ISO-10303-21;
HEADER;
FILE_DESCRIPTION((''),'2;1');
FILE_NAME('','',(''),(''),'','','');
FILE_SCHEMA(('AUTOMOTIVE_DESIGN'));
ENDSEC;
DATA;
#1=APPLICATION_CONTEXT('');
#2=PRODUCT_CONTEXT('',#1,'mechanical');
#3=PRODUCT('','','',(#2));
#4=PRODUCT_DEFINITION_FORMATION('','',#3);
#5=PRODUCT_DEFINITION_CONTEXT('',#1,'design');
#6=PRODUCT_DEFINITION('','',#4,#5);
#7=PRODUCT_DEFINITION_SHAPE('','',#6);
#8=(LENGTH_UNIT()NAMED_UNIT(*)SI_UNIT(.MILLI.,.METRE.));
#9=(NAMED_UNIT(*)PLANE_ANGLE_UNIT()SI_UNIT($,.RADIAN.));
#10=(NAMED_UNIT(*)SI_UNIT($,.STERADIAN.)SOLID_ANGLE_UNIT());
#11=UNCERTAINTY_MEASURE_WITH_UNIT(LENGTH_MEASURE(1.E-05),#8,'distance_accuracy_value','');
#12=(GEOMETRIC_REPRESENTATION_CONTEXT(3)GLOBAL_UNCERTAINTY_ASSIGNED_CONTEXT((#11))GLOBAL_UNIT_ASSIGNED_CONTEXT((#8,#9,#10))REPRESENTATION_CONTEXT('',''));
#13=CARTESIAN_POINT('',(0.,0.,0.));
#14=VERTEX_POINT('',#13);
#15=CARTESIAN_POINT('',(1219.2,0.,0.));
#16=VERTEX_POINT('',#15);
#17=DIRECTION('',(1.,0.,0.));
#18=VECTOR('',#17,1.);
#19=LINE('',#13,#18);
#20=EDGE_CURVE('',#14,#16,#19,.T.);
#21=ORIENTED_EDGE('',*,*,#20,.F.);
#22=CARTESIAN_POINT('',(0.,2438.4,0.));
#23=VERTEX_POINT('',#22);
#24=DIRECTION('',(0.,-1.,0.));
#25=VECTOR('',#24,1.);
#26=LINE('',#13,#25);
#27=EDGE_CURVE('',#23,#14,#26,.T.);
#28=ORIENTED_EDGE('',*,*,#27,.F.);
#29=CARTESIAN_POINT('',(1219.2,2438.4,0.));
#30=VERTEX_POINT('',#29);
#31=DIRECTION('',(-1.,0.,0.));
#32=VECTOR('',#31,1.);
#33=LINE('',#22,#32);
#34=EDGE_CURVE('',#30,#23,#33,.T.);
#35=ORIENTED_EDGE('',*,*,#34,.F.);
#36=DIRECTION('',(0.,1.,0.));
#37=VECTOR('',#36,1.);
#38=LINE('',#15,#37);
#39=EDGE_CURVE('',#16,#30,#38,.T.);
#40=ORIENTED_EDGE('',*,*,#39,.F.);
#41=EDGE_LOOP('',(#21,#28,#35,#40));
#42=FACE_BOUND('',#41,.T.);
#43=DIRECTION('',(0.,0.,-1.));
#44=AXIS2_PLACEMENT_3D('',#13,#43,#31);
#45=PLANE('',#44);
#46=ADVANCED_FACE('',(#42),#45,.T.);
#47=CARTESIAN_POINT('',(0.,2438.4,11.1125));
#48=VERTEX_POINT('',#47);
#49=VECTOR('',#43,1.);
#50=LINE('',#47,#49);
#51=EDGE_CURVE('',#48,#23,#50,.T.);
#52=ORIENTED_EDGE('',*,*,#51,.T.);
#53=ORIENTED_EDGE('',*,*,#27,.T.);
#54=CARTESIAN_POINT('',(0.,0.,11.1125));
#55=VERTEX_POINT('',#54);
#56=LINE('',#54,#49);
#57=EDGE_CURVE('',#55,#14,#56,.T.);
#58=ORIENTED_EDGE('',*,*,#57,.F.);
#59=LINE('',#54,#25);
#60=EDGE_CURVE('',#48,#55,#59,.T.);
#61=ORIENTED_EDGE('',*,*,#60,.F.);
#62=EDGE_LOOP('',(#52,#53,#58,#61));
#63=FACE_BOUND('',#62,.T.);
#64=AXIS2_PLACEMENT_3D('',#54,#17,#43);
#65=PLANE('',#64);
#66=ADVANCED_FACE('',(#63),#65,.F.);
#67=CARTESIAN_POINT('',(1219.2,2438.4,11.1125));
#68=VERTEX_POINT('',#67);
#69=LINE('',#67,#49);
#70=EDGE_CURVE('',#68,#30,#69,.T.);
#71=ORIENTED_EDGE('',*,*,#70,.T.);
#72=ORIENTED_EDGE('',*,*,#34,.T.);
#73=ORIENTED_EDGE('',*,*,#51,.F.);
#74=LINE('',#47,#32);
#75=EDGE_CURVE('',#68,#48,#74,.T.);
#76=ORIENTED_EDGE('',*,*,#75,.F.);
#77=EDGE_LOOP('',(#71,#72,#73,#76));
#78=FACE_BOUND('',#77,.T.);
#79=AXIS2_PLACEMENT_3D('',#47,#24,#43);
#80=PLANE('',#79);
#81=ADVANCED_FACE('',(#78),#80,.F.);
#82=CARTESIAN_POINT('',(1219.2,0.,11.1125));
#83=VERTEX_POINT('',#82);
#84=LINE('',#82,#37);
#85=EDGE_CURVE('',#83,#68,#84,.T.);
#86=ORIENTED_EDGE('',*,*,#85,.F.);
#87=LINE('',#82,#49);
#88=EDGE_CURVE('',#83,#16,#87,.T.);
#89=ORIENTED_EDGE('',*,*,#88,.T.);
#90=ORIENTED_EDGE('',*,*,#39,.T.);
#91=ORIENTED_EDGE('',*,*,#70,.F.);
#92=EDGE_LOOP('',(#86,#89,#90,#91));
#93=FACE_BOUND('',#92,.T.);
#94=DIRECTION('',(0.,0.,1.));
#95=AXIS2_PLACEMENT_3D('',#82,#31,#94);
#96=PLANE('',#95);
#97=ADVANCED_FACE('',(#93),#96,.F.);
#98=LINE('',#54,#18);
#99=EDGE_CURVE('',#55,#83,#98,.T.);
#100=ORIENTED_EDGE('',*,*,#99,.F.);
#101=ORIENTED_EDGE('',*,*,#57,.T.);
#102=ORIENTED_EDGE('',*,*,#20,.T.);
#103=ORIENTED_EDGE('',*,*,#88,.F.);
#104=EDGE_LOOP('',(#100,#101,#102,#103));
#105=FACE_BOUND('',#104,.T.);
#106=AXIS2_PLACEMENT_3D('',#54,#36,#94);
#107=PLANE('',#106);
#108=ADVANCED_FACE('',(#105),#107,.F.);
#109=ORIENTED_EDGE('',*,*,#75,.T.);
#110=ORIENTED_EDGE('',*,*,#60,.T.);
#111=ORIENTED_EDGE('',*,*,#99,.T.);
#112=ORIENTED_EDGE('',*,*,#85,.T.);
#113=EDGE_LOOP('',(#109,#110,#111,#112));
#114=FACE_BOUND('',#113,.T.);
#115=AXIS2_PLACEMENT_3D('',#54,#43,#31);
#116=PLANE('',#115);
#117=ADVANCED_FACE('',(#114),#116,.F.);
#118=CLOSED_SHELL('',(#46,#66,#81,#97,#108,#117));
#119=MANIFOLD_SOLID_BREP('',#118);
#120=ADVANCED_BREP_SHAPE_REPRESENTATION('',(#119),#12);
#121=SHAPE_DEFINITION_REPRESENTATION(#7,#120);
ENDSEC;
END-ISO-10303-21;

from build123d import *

# Parameters (mm, degrees)
SKETCH1_W           = 1219.2
SKETCH1_H           = 2438.4
BOSS_EXTRUDE1_DEPTH = 11.1125


with BuildPart() as part:
    # Sketch1 → Boss-Extrude1 (new body)
    with BuildSketch(Plane.XY):
        with Locations((609.6, 1219.2)):
            Rectangle(SKETCH1_W, SKETCH1_H)
    extrude(amount=BOSS_EXTRUDE1_DEPTH)


solid = part.part
